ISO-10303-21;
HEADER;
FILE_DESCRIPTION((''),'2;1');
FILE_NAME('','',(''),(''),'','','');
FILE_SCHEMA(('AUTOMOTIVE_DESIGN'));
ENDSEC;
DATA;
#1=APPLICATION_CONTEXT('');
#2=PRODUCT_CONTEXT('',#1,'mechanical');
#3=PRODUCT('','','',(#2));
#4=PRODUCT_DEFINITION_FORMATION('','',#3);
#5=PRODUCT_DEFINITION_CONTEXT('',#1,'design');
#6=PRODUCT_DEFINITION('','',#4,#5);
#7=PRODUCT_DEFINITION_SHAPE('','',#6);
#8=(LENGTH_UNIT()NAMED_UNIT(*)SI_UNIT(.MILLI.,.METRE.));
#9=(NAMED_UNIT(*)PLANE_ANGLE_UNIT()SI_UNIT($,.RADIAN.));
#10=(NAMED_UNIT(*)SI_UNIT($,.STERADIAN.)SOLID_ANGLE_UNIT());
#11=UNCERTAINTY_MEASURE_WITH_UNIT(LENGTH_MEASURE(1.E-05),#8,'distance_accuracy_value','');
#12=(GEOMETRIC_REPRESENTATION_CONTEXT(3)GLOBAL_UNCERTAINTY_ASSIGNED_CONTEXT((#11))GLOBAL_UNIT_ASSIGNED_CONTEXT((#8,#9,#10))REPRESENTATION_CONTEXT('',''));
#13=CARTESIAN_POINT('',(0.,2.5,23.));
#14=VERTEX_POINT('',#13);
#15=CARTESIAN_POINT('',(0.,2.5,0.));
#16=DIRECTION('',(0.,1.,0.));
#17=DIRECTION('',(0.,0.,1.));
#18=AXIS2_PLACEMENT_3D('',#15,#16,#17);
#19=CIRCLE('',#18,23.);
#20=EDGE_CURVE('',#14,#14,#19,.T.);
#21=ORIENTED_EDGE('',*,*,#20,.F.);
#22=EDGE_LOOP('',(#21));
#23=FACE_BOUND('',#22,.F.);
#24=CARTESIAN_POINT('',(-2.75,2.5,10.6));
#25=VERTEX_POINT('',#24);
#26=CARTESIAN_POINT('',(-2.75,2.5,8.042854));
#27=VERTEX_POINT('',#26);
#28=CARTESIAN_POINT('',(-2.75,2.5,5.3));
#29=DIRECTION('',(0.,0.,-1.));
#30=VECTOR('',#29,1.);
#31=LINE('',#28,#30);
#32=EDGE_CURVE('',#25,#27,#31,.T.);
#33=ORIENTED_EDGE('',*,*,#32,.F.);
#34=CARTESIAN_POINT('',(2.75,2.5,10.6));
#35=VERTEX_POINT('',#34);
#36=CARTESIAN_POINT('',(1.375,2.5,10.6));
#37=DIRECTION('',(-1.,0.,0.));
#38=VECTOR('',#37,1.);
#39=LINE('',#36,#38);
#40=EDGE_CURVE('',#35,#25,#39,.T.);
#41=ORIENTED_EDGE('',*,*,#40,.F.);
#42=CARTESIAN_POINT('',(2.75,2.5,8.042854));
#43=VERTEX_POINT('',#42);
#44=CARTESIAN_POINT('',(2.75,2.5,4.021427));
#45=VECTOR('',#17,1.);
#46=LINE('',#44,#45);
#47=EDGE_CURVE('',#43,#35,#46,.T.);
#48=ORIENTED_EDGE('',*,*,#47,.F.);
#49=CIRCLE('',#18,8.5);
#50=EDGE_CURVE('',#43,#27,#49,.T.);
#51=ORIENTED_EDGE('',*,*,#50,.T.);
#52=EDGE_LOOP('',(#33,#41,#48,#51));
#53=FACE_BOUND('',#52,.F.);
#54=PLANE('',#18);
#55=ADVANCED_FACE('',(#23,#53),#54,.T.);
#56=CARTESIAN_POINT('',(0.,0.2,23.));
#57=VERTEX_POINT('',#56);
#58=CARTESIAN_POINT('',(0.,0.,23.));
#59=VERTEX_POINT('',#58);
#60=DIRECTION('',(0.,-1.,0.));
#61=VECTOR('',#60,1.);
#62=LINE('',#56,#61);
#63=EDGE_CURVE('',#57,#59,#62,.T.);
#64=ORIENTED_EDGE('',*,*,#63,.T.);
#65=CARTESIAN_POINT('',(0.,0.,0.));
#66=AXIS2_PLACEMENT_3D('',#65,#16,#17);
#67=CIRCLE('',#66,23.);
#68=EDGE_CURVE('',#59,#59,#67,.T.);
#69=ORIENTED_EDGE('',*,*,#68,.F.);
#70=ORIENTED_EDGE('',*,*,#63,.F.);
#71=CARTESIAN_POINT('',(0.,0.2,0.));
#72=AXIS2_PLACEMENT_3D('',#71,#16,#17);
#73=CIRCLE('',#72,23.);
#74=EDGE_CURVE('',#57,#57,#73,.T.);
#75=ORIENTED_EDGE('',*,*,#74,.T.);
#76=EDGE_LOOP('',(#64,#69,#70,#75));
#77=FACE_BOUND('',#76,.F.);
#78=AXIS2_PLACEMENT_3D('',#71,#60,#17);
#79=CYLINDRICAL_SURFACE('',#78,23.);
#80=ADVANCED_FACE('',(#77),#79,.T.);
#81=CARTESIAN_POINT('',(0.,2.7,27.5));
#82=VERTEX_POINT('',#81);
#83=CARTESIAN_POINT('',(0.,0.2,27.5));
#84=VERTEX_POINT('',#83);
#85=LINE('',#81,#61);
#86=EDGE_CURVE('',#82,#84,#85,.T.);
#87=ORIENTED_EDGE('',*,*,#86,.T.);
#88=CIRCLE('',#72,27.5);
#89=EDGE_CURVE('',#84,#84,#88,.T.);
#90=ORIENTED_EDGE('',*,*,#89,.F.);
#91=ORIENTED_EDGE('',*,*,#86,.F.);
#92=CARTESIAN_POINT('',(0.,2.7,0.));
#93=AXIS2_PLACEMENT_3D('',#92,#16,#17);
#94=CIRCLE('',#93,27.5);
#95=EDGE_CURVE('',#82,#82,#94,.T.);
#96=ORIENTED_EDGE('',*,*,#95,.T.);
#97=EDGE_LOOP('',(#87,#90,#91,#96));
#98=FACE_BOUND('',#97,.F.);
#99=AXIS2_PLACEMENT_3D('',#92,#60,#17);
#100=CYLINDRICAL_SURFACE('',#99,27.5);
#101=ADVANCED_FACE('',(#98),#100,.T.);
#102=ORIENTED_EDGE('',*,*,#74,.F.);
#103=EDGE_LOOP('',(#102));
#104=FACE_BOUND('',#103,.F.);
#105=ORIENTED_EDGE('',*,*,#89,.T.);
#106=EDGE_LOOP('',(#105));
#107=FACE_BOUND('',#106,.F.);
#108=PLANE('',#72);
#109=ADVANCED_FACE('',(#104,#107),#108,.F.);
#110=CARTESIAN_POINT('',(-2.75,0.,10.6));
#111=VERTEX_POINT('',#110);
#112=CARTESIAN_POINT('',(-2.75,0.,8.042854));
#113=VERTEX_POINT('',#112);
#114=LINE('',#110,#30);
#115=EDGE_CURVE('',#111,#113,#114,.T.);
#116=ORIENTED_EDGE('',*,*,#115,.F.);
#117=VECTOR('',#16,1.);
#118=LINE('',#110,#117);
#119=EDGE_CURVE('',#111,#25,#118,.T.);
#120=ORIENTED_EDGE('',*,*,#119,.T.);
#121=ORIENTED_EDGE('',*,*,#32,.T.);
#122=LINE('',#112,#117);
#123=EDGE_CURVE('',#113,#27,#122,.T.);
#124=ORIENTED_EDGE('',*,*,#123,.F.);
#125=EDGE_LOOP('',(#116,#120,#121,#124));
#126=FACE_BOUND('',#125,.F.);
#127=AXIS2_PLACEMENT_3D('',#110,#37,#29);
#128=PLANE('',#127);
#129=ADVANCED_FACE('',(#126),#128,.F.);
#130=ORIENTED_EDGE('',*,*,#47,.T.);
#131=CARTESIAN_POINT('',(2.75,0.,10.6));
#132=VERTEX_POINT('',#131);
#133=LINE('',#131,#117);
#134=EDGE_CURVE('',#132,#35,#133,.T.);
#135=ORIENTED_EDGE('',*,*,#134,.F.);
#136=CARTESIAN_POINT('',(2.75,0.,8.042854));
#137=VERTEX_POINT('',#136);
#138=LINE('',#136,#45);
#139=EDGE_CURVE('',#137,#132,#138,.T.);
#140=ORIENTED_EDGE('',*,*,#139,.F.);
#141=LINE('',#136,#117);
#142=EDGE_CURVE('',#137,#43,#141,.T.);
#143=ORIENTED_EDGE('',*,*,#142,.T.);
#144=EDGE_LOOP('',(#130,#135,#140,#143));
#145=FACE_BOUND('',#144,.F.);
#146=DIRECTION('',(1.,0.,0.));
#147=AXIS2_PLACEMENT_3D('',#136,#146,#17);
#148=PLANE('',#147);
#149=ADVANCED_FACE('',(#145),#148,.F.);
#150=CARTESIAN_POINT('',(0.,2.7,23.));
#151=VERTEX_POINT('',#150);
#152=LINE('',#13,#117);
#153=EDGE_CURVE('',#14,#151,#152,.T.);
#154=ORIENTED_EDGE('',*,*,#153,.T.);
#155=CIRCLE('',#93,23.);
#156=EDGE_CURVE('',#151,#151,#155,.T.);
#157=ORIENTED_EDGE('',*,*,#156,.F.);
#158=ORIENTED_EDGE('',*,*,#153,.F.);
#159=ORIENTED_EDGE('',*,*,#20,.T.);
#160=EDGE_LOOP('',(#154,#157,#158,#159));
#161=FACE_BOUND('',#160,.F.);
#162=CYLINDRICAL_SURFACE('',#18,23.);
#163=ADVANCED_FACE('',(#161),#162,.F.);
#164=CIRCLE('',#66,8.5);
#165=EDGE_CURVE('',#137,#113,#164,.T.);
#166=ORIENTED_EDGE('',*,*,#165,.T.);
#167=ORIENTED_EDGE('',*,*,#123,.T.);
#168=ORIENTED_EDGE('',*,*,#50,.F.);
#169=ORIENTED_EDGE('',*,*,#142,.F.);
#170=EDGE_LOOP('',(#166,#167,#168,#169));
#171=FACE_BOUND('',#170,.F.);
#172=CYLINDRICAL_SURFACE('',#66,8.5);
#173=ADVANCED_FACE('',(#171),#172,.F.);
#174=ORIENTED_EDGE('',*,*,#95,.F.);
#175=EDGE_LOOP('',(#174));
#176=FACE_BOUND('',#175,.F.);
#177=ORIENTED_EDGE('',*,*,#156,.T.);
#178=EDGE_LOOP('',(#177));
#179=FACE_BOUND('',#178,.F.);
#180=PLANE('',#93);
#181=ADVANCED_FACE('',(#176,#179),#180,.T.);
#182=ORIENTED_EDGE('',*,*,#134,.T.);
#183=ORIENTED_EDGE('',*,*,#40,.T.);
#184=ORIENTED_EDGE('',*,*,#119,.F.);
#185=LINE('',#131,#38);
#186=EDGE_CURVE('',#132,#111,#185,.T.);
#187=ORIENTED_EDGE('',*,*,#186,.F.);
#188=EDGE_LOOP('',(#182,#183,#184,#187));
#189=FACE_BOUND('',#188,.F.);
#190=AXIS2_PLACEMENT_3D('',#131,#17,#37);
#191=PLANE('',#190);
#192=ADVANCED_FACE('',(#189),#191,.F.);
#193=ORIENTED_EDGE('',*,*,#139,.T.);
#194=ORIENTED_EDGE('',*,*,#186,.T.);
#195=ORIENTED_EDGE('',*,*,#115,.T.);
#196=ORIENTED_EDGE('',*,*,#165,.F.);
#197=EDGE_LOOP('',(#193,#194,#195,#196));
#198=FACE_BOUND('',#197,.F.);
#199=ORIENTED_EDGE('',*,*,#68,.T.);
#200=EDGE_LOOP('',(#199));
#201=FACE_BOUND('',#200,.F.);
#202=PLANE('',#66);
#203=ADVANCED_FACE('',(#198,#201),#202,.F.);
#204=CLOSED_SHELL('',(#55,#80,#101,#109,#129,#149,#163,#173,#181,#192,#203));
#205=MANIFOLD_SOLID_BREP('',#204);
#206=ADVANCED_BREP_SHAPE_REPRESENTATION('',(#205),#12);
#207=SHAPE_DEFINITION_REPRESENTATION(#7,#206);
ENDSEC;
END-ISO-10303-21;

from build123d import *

# Parameters (mm, degrees)
F3_DEPTH = 2.701


with BuildPart() as f1:
    # F0 (on Right) → F1 (revolve)
    with BuildSketch(Plane.YZ):
        Polygon((0, 23), (0, 8.5), (2.5, 8.5), (2.5, 23), (2.7, 23), (2.7, 27.5), (0.2, 27.5), (0.2, 23), align=None)
    revolve(axis=Axis((0, 1.25, 0), (0, 1, 0)))

    # F2 (on Front) → F3 (cut, through all)
    with BuildSketch(Plane.XZ):
        with BuildLine():
            Line((2.75, 10.6), (-2.75, 10.6))
            Line((-2.75, 10.6), (-2.75, 8.042854))
            ThreePointArc((-2.75, 8.042854), (0, 8.5), (2.75, 8.042854))
            Line((2.75, 8.042854), (2.75, 10.6))
        make_face()
    extrude(amount=-F3_DEPTH, mode=Mode.SUBTRACT)


solid = f1.part
